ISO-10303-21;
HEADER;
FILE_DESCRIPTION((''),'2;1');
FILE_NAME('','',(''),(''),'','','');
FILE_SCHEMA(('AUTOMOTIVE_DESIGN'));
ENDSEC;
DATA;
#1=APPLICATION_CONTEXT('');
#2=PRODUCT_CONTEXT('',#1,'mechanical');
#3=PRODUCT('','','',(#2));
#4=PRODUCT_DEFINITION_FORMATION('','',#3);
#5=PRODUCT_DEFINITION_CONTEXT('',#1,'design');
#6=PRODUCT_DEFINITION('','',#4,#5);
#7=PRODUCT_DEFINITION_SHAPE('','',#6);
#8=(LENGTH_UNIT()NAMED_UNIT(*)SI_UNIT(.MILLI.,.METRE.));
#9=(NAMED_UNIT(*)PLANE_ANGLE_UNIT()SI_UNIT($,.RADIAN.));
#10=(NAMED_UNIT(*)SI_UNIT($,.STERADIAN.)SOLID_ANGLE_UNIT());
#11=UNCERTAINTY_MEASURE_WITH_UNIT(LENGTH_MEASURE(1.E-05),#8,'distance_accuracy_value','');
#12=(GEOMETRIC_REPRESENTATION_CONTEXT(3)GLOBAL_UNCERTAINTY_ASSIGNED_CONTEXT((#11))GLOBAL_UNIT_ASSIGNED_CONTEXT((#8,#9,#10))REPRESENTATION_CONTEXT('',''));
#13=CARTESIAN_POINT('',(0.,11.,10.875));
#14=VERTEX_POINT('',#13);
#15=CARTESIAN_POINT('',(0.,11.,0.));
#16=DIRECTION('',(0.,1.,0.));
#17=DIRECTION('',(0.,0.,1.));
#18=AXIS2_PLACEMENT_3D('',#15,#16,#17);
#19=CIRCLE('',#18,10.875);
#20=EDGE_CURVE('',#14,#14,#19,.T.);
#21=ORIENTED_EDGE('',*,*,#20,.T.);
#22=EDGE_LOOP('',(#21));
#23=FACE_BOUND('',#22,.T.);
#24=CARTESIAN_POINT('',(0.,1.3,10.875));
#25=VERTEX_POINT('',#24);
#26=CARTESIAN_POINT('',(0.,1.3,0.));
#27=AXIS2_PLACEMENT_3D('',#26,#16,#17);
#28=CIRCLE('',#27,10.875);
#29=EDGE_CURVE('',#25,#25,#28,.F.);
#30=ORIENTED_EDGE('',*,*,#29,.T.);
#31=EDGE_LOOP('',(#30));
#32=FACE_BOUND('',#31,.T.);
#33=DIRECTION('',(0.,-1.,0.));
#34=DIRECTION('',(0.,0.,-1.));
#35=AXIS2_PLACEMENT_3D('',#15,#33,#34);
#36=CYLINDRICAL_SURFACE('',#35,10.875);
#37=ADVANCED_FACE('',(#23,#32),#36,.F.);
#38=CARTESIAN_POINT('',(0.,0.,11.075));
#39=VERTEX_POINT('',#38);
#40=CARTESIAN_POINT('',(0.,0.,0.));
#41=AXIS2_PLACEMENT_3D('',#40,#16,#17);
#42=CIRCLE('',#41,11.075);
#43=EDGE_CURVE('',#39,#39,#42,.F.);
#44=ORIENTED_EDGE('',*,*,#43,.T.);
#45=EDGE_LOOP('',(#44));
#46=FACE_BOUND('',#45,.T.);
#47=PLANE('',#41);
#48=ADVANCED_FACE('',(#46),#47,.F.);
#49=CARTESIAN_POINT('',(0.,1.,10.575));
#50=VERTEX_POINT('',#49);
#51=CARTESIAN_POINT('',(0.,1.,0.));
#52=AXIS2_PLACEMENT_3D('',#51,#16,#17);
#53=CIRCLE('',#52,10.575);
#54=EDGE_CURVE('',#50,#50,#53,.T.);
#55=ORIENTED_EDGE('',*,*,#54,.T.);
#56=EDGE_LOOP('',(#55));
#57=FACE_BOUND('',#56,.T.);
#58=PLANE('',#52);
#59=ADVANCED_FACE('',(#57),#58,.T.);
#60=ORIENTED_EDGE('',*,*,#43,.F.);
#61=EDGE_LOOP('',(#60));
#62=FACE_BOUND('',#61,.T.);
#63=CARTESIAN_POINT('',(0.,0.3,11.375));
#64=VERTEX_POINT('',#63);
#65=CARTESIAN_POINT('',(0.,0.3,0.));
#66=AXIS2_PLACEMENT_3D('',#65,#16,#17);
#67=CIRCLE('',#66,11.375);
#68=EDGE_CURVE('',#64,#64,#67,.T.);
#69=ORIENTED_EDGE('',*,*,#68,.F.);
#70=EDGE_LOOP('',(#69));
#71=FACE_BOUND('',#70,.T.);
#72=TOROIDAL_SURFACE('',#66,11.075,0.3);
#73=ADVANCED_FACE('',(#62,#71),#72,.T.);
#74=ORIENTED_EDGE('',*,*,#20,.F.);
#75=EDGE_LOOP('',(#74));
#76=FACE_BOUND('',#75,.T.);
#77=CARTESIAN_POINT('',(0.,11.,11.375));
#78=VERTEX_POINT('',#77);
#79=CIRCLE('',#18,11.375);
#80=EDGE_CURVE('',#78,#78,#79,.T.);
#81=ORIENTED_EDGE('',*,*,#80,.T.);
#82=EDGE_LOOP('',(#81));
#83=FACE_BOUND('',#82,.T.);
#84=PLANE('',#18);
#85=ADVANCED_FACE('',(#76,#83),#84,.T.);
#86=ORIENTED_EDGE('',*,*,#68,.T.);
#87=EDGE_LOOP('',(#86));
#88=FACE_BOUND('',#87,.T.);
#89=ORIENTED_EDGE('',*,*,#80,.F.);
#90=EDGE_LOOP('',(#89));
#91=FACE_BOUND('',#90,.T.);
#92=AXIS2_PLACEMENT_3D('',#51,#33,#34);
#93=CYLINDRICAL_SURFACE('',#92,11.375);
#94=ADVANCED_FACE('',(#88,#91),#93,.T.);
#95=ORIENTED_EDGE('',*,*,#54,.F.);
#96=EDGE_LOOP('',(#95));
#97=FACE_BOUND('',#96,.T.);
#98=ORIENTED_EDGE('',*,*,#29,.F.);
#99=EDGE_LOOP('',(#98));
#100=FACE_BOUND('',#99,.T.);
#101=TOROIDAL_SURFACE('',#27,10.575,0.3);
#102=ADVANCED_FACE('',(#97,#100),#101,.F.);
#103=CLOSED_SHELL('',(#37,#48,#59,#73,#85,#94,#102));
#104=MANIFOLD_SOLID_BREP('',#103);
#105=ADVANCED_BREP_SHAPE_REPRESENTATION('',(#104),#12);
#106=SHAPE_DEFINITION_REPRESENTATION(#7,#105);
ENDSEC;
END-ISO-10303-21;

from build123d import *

# Parameters (mm, degrees)
CROQUIS1_R              = 11.375
SALIENTE_EXTRUIR1_DEPTH = 1
CROQUIS2_R              = 11.375
CROQUIS2_R_2            = 10.875
SALIENTE_EXTRUIR2_DEPTH = 10
REDONDEO1_R             = 0.3
REDONDEO2_R             = 0.3


with BuildPart() as part:
    # Croquis1 → Saliente-Extruir1 (new body)
    with BuildSketch(Plane(origin=(0, 0, 0), x_dir=(1, 0, 0), z_dir=(0, 1, 0))):
        with Locations(Location((0, 0, 0), (0, 0, 270))):
            Circle(CROQUIS1_R)
    extrude(amount=SALIENTE_EXTRUIR1_DEPTH)

    # Croquis2 → Saliente-Extruir2 (add)
    with BuildSketch(Plane(origin=(0, 1, 0), x_dir=(1, 0, 0), z_dir=(0, 1, 0))):
        with Locations(Location((0, 0, 0), (0, 0, 270))):
            Circle(CROQUIS2_R)
        with Locations(Location((0, 0, 0), (0, 0, 270))):
            Circle(CROQUIS2_R_2, mode=Mode.SUBTRACT)
    extrude(amount=SALIENTE_EXTRUIR2_DEPTH)

    # Redondeo1
    redondeo1_edges = [part.edges().sort_by_distance(p)[0] for p in [
        (0, 1, -10.875),
    ]]
    fillet(redondeo1_edges, radius=REDONDEO1_R)

    # Redondeo2
    redondeo2_edges = [part.edges().sort_by_distance(p)[0] for p in [
        (0, 0, -11.375),
    ]]
    fillet(redondeo2_edges, radius=REDONDEO2_R)


solid = part.part
